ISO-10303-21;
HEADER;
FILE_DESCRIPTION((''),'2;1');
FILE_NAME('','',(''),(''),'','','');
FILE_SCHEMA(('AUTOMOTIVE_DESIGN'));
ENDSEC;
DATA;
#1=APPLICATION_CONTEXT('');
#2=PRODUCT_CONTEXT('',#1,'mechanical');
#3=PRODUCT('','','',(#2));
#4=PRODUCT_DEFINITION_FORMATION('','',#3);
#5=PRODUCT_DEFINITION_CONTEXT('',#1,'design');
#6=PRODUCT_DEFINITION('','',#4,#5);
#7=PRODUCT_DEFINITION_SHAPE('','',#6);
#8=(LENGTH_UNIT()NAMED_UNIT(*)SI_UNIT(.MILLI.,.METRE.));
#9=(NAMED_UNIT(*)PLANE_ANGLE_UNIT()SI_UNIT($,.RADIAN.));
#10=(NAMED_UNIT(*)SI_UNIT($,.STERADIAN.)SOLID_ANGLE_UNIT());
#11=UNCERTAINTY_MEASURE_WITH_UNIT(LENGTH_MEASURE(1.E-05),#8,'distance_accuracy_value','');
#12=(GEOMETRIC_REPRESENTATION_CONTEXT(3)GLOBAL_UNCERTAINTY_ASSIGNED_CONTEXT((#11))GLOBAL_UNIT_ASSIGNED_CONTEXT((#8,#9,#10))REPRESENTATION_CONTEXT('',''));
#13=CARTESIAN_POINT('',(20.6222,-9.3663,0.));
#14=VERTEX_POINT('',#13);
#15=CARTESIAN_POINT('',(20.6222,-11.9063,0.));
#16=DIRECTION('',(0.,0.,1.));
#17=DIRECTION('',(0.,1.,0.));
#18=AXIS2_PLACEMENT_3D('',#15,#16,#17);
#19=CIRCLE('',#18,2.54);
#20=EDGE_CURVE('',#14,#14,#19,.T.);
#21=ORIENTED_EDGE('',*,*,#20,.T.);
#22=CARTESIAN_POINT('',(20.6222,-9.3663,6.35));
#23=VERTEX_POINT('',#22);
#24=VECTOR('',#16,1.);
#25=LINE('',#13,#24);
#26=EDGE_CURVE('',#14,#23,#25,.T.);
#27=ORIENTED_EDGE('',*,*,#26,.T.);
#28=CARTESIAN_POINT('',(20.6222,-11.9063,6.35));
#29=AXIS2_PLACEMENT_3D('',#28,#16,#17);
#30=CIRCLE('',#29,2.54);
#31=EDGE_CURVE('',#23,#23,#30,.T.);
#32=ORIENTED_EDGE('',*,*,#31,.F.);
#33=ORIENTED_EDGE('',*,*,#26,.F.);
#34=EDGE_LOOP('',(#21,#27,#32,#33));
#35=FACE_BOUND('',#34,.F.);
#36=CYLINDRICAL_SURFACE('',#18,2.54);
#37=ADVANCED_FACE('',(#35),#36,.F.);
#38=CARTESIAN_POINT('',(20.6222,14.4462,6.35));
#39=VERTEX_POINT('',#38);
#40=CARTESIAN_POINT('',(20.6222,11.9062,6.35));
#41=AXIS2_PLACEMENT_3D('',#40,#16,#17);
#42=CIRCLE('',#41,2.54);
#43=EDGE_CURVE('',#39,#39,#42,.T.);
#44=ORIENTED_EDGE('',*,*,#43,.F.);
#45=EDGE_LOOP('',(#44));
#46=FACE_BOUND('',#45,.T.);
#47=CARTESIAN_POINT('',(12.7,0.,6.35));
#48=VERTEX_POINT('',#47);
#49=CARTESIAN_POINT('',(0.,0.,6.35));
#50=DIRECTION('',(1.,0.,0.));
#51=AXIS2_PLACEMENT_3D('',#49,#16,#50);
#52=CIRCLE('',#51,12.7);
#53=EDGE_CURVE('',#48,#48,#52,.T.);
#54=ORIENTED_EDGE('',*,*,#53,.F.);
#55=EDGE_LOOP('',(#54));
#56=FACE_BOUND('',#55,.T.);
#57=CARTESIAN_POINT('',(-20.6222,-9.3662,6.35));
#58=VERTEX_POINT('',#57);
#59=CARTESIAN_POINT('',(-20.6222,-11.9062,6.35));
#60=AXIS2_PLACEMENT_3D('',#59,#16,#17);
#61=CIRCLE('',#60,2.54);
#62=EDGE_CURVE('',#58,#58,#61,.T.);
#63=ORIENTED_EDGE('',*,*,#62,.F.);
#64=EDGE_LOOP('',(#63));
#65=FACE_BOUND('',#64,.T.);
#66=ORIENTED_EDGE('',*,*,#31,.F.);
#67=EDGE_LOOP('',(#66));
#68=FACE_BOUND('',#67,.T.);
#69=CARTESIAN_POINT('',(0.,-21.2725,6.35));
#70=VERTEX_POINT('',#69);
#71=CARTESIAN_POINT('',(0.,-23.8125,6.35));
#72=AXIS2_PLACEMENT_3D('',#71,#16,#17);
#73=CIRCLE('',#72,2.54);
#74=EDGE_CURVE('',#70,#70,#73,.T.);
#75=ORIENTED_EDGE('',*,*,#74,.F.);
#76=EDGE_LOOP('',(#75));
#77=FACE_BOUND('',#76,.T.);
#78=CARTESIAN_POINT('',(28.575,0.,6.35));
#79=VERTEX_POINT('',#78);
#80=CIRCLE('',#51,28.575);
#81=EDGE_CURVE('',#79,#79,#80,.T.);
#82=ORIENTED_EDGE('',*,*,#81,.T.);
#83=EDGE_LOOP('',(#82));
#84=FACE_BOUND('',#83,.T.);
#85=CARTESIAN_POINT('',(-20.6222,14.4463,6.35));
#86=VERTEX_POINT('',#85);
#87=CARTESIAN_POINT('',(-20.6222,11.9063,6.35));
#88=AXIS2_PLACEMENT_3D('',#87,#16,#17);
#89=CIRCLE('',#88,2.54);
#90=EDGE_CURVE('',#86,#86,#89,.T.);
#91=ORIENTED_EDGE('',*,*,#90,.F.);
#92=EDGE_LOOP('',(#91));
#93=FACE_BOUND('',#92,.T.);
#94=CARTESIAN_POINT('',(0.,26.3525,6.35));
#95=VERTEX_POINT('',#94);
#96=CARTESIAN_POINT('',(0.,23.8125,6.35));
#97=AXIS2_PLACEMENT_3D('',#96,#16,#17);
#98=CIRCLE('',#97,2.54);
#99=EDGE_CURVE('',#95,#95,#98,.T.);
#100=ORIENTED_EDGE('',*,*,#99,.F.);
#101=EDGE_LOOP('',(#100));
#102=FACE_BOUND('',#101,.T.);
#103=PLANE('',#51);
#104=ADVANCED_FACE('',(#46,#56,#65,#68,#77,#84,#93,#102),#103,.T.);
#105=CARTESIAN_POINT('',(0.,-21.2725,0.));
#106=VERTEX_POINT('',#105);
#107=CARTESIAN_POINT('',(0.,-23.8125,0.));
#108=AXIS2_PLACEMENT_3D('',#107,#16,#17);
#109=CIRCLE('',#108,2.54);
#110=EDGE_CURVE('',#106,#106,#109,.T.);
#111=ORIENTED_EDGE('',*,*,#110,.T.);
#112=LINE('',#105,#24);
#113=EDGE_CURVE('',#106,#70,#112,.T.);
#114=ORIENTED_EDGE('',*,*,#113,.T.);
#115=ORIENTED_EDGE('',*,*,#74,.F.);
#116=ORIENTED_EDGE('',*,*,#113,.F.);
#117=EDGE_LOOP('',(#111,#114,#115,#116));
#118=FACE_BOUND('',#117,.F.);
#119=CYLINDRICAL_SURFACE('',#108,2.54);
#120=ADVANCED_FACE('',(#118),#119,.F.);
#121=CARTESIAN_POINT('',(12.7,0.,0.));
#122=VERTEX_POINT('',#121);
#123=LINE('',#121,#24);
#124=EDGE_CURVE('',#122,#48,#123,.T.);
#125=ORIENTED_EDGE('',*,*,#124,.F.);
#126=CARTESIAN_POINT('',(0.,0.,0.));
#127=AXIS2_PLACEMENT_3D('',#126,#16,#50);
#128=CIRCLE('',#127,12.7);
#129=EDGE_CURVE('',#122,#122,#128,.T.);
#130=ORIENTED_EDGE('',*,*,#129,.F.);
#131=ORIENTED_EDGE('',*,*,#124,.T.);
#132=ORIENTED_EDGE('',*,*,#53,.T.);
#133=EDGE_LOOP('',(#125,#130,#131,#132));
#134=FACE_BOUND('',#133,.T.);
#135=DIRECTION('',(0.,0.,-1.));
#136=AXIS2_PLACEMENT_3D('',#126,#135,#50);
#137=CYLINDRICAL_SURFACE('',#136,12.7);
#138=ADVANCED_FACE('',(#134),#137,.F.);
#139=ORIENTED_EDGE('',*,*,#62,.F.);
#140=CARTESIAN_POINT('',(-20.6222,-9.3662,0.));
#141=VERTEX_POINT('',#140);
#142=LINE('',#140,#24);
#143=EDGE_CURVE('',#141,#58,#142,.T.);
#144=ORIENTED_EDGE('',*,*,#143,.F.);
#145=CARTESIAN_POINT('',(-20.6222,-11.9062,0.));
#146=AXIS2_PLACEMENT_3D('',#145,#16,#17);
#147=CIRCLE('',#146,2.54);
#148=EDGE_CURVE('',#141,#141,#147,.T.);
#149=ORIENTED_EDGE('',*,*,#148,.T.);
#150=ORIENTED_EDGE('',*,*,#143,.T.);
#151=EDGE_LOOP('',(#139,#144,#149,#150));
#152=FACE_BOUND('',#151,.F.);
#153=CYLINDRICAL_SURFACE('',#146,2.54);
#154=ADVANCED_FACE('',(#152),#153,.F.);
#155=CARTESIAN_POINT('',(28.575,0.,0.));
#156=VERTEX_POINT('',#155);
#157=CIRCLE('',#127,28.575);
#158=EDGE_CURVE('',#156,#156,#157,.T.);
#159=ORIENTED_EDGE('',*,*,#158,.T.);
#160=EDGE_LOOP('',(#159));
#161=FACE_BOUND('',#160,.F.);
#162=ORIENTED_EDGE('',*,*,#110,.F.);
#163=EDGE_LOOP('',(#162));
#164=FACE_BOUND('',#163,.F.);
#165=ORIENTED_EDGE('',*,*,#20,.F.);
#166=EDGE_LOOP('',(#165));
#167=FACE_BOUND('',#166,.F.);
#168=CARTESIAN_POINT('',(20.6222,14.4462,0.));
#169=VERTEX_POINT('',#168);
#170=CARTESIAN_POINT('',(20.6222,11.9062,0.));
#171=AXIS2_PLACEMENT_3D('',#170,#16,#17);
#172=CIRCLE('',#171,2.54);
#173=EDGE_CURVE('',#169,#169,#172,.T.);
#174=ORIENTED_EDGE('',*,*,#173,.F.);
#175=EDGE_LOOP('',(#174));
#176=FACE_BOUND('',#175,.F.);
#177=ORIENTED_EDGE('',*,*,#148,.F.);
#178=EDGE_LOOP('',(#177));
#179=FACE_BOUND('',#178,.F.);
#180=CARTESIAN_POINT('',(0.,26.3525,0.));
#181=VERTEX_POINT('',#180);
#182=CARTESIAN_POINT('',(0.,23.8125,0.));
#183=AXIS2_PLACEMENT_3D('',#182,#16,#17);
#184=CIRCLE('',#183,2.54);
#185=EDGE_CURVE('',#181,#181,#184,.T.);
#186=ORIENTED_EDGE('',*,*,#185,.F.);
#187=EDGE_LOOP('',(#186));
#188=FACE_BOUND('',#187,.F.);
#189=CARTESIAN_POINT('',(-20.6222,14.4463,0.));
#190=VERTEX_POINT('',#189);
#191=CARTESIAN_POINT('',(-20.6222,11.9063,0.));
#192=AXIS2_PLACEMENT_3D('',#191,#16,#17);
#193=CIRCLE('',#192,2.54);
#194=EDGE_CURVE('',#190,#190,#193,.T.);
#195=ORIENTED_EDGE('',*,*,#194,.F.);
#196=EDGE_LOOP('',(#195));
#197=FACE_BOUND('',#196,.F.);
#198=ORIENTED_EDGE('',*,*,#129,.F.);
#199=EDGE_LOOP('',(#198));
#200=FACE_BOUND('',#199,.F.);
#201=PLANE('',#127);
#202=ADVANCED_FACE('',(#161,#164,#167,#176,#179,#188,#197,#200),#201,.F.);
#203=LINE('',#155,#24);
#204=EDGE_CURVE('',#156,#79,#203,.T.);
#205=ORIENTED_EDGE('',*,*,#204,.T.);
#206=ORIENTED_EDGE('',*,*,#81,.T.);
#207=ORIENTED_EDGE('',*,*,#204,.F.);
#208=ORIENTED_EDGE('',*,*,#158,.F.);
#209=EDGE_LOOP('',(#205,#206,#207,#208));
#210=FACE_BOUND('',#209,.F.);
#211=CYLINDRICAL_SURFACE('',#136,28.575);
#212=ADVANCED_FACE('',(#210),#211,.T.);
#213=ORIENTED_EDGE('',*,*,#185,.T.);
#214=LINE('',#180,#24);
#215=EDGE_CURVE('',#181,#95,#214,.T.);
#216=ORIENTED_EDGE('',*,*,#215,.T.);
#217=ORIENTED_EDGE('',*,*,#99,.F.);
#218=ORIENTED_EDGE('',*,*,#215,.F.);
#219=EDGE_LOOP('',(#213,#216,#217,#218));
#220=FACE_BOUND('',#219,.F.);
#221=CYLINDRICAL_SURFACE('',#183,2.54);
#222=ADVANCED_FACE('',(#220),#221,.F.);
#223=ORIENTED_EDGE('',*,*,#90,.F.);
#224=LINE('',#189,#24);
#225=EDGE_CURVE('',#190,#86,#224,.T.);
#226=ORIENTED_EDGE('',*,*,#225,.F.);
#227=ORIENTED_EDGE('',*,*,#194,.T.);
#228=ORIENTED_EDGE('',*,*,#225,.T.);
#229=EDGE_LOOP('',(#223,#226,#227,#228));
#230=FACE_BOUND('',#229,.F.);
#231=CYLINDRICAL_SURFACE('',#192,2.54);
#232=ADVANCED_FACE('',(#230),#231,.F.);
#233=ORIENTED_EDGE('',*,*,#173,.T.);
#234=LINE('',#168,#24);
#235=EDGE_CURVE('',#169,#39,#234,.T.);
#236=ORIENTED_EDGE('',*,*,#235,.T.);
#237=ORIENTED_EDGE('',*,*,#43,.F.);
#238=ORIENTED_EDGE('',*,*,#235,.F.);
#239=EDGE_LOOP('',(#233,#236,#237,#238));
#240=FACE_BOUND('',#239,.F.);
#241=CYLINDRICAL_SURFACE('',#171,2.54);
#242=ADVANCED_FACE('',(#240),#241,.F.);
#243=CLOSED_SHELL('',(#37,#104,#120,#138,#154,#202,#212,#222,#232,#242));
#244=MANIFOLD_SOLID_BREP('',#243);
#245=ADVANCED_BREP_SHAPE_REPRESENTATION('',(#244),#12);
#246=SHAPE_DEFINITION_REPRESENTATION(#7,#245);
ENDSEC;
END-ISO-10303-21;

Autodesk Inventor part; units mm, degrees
ref_plane "YZ Plane" through (0, 0, 0) normal (1, 0, 0) x (0, 1, 0)
ref_plane "XZ Plane" through (0, 0, 0) normal (0, 1, 0) x (-1, 0, 0)
ref_plane "XY Plane" through (0, 0, 0) normal (0, 0, 1) x (1, 0, 0)
sketch "Sketch1" plane through (0, 0, 0) normal (0, 0, 1) x (1, 0, 0)
  circle A0 centre (0, 0) radius 28.575
  circle A1 centre (0, 0) radius 23.8125
  circle A2 centre (0, 0) radius 12.7
  point P0 (20.6222, -11.9063)
  point P1 (20.6222, 11.9062)
  point P2 (0, 23.8125)
  point P3 (-20.6222, 11.9063)
  point P4 (-20.6222, -11.9062)
  point P5 (0, -23.8125)
  dimension "d1" = 47.625
  dimension "d0" = 57.15
  dimension "d4" = 360
  dimension "d6" = 25.4
extrude "Extrusion1" add sketch "Sketch1" along normal blind 6.35 contours A0 | A1
hole "Hole1" at (20.6222, -11.9063, 0) at (20.6222, 11.9062, 0) at (0, 23.8125, 0) at (-20.6222, 11.9063, 0) at (-20.6222, -11.9062, 0) at (0, -23.8125, 0) direction (0, 0, 1) diameter 5.08 end through all
properties part number "lower box hub"
